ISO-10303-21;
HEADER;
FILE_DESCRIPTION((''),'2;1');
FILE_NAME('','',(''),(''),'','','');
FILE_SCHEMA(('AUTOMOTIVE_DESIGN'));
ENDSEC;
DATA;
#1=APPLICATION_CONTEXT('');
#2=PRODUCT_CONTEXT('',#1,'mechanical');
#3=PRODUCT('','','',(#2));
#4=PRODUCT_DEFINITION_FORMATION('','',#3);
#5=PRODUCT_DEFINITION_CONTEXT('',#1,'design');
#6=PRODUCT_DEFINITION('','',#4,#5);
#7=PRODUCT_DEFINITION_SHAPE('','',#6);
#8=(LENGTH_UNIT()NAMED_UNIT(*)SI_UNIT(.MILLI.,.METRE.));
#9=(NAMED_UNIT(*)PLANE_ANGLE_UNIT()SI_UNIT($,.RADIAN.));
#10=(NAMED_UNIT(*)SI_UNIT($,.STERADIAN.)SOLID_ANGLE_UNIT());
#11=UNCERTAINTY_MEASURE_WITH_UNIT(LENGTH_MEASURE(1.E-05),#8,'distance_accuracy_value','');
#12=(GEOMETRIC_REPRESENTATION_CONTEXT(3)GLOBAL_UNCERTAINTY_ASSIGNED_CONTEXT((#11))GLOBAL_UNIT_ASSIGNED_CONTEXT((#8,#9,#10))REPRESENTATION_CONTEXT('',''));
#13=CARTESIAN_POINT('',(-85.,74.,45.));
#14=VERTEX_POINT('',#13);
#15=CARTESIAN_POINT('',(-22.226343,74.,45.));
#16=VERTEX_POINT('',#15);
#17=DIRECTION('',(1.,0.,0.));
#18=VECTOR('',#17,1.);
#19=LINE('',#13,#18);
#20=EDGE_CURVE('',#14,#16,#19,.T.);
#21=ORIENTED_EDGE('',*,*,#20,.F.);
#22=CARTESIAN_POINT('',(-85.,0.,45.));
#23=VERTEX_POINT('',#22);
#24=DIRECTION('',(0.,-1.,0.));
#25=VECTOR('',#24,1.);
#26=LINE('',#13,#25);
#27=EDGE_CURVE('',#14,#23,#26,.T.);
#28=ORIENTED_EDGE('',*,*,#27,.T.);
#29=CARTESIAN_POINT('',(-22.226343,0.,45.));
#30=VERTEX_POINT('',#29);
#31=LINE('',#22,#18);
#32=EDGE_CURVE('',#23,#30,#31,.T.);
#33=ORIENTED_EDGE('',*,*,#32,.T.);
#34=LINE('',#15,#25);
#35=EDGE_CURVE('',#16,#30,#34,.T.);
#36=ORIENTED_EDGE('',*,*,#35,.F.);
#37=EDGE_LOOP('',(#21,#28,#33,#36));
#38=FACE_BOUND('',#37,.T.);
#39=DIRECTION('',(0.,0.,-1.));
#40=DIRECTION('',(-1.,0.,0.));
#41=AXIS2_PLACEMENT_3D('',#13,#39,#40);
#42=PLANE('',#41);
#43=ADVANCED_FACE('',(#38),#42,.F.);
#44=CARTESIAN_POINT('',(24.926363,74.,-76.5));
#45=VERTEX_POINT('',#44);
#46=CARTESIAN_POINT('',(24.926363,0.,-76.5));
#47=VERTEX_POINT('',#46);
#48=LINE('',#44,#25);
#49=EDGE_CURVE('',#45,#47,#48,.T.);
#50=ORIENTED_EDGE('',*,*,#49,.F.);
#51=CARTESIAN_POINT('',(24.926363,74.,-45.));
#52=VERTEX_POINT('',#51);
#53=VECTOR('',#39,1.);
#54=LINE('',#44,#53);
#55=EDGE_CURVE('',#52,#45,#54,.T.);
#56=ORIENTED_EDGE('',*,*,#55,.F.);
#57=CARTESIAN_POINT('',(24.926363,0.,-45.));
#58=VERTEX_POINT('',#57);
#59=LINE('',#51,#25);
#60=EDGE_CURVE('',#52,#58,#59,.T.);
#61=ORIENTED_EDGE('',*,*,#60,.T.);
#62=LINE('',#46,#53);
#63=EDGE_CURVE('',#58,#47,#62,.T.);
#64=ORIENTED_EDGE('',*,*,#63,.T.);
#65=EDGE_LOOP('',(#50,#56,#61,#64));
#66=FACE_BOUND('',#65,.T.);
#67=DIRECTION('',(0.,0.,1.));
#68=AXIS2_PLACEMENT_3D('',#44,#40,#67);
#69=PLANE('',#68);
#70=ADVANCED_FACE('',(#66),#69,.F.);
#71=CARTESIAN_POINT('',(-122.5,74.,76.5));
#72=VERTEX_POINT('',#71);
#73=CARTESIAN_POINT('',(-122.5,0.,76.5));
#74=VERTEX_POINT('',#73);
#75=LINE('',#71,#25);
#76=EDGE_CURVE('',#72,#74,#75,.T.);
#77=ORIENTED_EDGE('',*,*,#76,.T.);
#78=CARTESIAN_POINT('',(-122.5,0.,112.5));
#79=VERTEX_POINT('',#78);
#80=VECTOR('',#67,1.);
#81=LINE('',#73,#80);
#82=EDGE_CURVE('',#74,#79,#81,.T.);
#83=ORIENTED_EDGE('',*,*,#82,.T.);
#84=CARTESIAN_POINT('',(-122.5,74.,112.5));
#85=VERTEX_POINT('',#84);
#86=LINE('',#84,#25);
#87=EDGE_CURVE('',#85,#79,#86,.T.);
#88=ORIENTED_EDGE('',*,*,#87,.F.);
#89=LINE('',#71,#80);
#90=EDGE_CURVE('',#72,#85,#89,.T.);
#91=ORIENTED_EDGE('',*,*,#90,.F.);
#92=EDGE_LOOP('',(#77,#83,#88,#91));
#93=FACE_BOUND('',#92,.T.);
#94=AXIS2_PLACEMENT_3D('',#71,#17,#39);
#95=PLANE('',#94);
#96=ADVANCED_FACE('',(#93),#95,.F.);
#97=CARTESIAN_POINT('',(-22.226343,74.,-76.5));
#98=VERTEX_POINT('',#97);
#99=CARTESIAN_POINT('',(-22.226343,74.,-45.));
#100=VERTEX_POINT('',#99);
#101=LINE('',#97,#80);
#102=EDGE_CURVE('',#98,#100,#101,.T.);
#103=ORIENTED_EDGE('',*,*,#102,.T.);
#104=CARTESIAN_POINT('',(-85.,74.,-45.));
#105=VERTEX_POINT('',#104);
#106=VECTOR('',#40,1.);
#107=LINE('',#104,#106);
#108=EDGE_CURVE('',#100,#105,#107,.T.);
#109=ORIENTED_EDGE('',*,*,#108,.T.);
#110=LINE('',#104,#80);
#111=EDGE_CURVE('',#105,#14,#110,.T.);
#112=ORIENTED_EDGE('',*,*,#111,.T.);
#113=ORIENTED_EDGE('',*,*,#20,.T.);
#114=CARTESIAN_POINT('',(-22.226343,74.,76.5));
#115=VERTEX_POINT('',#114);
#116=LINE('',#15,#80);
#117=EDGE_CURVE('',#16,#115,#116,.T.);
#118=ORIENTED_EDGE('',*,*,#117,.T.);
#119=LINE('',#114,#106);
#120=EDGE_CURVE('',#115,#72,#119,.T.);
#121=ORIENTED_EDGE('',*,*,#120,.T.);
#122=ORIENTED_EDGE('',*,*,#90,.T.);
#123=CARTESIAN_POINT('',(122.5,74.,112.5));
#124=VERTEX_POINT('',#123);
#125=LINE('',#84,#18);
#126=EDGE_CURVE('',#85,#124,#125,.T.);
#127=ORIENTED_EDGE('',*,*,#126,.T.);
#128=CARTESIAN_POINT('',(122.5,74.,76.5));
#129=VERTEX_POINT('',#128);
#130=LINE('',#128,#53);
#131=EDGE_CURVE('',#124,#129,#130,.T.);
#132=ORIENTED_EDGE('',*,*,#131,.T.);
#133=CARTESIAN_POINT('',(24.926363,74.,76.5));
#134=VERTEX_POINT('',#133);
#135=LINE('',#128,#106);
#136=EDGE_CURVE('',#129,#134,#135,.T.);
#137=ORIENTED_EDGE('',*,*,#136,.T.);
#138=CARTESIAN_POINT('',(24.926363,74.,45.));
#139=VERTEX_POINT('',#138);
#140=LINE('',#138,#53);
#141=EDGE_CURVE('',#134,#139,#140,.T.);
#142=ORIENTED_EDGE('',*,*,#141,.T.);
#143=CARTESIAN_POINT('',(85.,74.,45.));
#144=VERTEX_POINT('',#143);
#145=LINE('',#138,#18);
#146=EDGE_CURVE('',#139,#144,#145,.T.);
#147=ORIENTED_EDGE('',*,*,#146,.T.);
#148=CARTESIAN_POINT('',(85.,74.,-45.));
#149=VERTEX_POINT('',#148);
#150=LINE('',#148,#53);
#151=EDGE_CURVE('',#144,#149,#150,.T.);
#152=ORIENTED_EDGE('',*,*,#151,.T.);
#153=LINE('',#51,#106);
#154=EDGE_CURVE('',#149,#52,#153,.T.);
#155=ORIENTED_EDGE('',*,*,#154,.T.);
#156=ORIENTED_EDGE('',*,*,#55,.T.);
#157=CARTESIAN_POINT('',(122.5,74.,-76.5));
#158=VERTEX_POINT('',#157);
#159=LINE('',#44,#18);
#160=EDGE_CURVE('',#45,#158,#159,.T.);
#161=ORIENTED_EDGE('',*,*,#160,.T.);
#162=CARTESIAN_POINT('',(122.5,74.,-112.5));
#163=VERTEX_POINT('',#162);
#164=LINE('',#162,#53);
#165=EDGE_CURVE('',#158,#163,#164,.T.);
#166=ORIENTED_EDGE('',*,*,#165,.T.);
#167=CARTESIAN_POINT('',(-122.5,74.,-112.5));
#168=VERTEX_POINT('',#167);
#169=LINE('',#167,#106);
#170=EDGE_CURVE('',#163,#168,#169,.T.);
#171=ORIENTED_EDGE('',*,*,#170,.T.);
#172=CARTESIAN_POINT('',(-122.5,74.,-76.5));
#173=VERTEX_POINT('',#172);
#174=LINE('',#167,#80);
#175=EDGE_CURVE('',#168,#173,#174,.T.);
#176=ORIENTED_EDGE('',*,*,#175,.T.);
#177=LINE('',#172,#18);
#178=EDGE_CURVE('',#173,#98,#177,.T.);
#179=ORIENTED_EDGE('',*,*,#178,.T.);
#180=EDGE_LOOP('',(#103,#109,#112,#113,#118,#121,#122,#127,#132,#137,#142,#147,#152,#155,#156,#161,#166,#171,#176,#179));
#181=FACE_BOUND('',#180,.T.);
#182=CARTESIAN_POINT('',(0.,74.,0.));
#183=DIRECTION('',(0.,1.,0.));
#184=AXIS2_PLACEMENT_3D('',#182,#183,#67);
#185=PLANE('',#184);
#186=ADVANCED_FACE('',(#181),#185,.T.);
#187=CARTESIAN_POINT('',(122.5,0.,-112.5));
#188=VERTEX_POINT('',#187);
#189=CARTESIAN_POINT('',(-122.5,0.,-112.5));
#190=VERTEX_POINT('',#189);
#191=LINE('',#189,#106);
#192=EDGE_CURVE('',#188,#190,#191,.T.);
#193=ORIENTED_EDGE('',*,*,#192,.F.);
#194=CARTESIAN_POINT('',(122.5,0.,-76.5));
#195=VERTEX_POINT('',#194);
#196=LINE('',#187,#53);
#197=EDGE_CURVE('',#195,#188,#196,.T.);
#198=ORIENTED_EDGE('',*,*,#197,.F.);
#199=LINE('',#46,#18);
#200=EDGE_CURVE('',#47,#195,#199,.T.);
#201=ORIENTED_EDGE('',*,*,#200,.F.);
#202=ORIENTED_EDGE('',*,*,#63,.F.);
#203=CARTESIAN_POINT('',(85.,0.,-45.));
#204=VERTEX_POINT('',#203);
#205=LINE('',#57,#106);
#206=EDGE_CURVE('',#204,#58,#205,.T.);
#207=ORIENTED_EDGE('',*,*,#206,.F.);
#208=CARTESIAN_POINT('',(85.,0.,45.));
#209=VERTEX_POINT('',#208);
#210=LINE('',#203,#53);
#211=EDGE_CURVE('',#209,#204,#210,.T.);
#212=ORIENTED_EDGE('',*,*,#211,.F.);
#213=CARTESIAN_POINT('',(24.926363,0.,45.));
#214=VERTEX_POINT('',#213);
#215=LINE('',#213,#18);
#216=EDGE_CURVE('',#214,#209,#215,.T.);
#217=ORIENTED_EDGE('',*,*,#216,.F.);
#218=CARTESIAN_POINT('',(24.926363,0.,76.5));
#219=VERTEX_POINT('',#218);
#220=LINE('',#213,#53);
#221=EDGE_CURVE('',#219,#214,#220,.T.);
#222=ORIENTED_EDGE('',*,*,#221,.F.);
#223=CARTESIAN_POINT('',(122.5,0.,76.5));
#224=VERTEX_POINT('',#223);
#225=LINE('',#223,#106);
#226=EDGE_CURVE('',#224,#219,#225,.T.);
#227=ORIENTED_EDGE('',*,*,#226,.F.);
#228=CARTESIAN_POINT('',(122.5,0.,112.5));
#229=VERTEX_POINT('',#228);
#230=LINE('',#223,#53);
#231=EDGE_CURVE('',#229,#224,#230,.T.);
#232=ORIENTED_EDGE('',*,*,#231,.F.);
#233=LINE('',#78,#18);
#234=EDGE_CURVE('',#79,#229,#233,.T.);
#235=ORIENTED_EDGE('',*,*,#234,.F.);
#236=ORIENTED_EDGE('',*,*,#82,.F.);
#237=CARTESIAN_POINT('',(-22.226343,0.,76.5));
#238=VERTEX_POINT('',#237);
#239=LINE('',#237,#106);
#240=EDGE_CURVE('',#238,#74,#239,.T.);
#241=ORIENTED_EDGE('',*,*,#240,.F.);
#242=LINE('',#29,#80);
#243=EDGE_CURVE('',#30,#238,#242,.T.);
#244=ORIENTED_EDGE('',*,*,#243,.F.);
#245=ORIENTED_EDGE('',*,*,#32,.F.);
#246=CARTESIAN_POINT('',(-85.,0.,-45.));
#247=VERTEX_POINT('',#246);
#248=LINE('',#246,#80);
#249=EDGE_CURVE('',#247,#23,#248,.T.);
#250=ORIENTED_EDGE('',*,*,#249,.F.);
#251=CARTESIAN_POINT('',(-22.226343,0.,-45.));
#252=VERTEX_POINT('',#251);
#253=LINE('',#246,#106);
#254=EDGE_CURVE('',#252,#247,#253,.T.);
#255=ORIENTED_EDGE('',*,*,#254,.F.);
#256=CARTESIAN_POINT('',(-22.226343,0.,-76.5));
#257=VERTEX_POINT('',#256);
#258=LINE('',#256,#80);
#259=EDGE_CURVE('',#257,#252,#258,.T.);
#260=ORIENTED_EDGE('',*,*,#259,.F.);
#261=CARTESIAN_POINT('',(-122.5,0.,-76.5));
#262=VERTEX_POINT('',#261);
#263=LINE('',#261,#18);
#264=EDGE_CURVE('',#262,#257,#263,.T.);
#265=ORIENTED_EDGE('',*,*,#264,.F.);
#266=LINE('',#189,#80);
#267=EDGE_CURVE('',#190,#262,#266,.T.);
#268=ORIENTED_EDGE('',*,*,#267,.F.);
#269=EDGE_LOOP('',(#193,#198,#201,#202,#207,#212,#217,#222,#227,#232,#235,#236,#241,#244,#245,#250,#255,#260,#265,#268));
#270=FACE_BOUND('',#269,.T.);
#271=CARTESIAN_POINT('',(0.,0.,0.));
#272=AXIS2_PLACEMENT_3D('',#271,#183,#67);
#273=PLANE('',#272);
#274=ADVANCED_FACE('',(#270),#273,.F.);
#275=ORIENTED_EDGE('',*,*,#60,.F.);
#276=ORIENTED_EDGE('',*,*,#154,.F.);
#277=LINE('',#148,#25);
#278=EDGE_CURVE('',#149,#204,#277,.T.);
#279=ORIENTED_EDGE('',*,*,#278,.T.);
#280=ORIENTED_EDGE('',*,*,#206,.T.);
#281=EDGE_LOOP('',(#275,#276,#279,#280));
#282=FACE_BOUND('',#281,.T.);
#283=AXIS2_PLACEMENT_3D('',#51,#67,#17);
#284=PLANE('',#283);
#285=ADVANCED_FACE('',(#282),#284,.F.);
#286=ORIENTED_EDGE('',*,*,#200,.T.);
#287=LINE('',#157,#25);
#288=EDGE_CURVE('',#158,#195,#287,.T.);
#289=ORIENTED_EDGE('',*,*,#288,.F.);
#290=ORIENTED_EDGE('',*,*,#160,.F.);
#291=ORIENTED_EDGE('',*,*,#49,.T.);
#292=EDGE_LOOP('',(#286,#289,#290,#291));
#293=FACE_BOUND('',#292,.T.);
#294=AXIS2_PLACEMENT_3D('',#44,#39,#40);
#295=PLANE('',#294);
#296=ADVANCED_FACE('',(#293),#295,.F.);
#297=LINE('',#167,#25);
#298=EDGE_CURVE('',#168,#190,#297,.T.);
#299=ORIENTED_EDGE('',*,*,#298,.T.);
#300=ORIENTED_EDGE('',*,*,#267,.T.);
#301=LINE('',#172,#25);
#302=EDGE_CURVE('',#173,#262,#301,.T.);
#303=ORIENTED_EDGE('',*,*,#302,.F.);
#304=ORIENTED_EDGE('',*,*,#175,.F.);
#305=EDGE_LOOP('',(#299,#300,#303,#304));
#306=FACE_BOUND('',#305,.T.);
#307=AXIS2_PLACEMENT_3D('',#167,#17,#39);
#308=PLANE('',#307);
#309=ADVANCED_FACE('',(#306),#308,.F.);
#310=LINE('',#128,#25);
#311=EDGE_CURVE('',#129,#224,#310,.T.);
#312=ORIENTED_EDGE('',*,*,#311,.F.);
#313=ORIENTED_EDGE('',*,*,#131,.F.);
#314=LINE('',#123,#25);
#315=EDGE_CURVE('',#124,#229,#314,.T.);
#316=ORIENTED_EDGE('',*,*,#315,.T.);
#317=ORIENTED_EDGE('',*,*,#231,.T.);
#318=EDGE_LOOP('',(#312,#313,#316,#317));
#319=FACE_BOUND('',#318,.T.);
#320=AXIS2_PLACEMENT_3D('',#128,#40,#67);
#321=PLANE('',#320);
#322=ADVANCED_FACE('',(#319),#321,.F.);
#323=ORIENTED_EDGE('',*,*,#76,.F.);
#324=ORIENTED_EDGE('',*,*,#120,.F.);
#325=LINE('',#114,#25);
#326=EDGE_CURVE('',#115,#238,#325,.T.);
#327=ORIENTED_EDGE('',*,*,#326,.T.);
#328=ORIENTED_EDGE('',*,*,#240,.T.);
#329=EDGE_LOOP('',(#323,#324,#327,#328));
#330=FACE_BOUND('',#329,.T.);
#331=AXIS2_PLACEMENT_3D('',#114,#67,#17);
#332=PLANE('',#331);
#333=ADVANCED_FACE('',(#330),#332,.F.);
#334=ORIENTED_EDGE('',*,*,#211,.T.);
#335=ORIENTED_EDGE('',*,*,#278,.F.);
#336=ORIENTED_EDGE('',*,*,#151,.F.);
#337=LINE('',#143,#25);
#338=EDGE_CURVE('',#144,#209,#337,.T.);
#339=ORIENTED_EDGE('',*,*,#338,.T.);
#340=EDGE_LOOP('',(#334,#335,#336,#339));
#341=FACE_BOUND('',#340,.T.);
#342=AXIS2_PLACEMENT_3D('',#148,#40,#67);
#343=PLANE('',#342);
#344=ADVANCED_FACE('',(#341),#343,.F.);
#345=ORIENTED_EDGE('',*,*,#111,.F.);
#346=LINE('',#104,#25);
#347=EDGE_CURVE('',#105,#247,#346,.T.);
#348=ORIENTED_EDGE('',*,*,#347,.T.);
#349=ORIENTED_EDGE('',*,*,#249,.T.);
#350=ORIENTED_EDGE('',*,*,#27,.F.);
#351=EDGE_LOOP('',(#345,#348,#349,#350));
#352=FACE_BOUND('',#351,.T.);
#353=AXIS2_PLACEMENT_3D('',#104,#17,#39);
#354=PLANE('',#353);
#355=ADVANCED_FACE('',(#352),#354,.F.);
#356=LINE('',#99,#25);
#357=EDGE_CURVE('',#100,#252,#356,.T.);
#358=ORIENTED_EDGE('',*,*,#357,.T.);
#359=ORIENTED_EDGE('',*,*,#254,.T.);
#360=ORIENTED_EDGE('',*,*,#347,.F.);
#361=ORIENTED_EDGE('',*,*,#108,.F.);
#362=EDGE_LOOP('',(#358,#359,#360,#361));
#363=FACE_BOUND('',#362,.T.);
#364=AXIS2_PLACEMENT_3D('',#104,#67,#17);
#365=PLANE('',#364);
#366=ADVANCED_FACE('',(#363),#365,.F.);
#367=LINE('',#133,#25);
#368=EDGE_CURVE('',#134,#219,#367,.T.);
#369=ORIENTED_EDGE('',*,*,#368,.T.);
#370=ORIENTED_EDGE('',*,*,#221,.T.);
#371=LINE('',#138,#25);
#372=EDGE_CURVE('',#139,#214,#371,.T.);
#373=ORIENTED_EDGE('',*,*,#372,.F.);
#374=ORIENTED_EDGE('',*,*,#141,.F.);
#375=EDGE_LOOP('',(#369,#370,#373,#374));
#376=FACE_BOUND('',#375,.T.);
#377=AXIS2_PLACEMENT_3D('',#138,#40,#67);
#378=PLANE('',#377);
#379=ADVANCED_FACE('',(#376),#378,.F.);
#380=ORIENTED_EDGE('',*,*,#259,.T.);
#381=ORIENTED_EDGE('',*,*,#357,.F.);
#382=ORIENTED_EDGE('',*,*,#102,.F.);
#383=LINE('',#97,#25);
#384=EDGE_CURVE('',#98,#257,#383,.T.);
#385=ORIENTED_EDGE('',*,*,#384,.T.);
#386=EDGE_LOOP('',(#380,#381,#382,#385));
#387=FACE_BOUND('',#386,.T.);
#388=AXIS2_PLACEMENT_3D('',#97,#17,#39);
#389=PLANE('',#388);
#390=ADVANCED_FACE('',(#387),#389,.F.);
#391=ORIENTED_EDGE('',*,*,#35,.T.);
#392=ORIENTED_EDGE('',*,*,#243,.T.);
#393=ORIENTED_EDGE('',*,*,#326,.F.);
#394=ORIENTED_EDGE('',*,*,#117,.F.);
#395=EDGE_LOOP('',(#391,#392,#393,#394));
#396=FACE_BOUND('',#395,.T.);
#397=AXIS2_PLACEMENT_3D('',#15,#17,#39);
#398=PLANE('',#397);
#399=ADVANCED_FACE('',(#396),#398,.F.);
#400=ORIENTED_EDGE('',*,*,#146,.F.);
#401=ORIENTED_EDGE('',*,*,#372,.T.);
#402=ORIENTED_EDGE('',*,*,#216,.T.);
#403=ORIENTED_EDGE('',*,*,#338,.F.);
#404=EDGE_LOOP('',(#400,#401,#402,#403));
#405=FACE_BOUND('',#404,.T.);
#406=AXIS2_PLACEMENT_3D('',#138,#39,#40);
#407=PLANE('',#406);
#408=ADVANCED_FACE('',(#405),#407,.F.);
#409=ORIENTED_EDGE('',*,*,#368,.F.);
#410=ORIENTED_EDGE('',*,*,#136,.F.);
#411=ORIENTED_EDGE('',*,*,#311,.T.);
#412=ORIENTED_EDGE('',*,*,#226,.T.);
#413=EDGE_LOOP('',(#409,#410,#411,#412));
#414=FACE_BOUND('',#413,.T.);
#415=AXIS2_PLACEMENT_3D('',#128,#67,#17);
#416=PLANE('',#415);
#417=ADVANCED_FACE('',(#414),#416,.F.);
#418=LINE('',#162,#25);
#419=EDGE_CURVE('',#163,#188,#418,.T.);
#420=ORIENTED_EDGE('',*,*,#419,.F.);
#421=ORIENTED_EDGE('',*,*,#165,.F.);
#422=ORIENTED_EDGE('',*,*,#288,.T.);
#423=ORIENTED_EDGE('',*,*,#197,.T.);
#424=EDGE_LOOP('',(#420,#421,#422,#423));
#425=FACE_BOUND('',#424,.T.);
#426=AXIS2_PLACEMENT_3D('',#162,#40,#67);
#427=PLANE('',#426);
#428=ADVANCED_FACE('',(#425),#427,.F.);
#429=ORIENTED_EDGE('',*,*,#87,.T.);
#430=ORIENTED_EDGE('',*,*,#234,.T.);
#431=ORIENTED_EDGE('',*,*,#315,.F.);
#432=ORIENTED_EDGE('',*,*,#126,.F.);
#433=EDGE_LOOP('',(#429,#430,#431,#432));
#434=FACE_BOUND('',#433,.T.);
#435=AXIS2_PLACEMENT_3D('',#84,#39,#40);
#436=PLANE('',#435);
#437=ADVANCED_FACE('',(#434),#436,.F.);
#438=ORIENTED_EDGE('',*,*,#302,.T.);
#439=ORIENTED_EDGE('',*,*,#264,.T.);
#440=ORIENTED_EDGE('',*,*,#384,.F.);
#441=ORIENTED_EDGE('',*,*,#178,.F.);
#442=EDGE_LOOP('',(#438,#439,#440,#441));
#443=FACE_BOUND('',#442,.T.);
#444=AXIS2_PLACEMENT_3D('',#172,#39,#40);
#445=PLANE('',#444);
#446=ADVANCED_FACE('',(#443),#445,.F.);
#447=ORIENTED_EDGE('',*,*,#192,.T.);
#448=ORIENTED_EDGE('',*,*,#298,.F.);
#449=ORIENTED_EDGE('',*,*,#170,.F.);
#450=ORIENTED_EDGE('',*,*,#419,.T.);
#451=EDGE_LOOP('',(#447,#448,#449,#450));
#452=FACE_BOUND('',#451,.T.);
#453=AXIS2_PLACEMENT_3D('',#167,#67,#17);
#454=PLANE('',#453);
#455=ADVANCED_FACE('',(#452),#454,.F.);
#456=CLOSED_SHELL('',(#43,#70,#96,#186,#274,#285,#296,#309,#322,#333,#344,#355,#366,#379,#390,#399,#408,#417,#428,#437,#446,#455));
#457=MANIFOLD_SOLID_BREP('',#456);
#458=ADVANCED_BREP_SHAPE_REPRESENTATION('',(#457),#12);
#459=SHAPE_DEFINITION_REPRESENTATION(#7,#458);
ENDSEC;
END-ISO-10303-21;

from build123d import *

# Parameters (mm, degrees)
BOSS_EXTRU_1_DEPTH = 74


with BuildPart() as part:
    # Esquisse1 → Boss.-Extru.1 (new body)
    with BuildSketch(Plane(origin=(0, 0, 0), x_dir=(1, 0, 0), z_dir=(0, 1, 0))):
        Polygon((-122.5, 76.5), (-22.226343262, 76.5), (-22.226343262, 45), (-85, 45), (-85, -45), (-22.226343262, -45), (-22.226343262, -76.5), (-122.5, -76.5), (-122.5, -112.5), (122.5, -112.5), (122.5, -76.5), (24.926363, -76.5), (24.926363, -45), (85, -45), (85, 45), (24.926363, 45), (24.926363, 76.5), (122.5, 76.5), (122.5, 112.5), (-122.5, 112.5), align=None)
    extrude(amount=BOSS_EXTRU_1_DEPTH)


solid = part.part
